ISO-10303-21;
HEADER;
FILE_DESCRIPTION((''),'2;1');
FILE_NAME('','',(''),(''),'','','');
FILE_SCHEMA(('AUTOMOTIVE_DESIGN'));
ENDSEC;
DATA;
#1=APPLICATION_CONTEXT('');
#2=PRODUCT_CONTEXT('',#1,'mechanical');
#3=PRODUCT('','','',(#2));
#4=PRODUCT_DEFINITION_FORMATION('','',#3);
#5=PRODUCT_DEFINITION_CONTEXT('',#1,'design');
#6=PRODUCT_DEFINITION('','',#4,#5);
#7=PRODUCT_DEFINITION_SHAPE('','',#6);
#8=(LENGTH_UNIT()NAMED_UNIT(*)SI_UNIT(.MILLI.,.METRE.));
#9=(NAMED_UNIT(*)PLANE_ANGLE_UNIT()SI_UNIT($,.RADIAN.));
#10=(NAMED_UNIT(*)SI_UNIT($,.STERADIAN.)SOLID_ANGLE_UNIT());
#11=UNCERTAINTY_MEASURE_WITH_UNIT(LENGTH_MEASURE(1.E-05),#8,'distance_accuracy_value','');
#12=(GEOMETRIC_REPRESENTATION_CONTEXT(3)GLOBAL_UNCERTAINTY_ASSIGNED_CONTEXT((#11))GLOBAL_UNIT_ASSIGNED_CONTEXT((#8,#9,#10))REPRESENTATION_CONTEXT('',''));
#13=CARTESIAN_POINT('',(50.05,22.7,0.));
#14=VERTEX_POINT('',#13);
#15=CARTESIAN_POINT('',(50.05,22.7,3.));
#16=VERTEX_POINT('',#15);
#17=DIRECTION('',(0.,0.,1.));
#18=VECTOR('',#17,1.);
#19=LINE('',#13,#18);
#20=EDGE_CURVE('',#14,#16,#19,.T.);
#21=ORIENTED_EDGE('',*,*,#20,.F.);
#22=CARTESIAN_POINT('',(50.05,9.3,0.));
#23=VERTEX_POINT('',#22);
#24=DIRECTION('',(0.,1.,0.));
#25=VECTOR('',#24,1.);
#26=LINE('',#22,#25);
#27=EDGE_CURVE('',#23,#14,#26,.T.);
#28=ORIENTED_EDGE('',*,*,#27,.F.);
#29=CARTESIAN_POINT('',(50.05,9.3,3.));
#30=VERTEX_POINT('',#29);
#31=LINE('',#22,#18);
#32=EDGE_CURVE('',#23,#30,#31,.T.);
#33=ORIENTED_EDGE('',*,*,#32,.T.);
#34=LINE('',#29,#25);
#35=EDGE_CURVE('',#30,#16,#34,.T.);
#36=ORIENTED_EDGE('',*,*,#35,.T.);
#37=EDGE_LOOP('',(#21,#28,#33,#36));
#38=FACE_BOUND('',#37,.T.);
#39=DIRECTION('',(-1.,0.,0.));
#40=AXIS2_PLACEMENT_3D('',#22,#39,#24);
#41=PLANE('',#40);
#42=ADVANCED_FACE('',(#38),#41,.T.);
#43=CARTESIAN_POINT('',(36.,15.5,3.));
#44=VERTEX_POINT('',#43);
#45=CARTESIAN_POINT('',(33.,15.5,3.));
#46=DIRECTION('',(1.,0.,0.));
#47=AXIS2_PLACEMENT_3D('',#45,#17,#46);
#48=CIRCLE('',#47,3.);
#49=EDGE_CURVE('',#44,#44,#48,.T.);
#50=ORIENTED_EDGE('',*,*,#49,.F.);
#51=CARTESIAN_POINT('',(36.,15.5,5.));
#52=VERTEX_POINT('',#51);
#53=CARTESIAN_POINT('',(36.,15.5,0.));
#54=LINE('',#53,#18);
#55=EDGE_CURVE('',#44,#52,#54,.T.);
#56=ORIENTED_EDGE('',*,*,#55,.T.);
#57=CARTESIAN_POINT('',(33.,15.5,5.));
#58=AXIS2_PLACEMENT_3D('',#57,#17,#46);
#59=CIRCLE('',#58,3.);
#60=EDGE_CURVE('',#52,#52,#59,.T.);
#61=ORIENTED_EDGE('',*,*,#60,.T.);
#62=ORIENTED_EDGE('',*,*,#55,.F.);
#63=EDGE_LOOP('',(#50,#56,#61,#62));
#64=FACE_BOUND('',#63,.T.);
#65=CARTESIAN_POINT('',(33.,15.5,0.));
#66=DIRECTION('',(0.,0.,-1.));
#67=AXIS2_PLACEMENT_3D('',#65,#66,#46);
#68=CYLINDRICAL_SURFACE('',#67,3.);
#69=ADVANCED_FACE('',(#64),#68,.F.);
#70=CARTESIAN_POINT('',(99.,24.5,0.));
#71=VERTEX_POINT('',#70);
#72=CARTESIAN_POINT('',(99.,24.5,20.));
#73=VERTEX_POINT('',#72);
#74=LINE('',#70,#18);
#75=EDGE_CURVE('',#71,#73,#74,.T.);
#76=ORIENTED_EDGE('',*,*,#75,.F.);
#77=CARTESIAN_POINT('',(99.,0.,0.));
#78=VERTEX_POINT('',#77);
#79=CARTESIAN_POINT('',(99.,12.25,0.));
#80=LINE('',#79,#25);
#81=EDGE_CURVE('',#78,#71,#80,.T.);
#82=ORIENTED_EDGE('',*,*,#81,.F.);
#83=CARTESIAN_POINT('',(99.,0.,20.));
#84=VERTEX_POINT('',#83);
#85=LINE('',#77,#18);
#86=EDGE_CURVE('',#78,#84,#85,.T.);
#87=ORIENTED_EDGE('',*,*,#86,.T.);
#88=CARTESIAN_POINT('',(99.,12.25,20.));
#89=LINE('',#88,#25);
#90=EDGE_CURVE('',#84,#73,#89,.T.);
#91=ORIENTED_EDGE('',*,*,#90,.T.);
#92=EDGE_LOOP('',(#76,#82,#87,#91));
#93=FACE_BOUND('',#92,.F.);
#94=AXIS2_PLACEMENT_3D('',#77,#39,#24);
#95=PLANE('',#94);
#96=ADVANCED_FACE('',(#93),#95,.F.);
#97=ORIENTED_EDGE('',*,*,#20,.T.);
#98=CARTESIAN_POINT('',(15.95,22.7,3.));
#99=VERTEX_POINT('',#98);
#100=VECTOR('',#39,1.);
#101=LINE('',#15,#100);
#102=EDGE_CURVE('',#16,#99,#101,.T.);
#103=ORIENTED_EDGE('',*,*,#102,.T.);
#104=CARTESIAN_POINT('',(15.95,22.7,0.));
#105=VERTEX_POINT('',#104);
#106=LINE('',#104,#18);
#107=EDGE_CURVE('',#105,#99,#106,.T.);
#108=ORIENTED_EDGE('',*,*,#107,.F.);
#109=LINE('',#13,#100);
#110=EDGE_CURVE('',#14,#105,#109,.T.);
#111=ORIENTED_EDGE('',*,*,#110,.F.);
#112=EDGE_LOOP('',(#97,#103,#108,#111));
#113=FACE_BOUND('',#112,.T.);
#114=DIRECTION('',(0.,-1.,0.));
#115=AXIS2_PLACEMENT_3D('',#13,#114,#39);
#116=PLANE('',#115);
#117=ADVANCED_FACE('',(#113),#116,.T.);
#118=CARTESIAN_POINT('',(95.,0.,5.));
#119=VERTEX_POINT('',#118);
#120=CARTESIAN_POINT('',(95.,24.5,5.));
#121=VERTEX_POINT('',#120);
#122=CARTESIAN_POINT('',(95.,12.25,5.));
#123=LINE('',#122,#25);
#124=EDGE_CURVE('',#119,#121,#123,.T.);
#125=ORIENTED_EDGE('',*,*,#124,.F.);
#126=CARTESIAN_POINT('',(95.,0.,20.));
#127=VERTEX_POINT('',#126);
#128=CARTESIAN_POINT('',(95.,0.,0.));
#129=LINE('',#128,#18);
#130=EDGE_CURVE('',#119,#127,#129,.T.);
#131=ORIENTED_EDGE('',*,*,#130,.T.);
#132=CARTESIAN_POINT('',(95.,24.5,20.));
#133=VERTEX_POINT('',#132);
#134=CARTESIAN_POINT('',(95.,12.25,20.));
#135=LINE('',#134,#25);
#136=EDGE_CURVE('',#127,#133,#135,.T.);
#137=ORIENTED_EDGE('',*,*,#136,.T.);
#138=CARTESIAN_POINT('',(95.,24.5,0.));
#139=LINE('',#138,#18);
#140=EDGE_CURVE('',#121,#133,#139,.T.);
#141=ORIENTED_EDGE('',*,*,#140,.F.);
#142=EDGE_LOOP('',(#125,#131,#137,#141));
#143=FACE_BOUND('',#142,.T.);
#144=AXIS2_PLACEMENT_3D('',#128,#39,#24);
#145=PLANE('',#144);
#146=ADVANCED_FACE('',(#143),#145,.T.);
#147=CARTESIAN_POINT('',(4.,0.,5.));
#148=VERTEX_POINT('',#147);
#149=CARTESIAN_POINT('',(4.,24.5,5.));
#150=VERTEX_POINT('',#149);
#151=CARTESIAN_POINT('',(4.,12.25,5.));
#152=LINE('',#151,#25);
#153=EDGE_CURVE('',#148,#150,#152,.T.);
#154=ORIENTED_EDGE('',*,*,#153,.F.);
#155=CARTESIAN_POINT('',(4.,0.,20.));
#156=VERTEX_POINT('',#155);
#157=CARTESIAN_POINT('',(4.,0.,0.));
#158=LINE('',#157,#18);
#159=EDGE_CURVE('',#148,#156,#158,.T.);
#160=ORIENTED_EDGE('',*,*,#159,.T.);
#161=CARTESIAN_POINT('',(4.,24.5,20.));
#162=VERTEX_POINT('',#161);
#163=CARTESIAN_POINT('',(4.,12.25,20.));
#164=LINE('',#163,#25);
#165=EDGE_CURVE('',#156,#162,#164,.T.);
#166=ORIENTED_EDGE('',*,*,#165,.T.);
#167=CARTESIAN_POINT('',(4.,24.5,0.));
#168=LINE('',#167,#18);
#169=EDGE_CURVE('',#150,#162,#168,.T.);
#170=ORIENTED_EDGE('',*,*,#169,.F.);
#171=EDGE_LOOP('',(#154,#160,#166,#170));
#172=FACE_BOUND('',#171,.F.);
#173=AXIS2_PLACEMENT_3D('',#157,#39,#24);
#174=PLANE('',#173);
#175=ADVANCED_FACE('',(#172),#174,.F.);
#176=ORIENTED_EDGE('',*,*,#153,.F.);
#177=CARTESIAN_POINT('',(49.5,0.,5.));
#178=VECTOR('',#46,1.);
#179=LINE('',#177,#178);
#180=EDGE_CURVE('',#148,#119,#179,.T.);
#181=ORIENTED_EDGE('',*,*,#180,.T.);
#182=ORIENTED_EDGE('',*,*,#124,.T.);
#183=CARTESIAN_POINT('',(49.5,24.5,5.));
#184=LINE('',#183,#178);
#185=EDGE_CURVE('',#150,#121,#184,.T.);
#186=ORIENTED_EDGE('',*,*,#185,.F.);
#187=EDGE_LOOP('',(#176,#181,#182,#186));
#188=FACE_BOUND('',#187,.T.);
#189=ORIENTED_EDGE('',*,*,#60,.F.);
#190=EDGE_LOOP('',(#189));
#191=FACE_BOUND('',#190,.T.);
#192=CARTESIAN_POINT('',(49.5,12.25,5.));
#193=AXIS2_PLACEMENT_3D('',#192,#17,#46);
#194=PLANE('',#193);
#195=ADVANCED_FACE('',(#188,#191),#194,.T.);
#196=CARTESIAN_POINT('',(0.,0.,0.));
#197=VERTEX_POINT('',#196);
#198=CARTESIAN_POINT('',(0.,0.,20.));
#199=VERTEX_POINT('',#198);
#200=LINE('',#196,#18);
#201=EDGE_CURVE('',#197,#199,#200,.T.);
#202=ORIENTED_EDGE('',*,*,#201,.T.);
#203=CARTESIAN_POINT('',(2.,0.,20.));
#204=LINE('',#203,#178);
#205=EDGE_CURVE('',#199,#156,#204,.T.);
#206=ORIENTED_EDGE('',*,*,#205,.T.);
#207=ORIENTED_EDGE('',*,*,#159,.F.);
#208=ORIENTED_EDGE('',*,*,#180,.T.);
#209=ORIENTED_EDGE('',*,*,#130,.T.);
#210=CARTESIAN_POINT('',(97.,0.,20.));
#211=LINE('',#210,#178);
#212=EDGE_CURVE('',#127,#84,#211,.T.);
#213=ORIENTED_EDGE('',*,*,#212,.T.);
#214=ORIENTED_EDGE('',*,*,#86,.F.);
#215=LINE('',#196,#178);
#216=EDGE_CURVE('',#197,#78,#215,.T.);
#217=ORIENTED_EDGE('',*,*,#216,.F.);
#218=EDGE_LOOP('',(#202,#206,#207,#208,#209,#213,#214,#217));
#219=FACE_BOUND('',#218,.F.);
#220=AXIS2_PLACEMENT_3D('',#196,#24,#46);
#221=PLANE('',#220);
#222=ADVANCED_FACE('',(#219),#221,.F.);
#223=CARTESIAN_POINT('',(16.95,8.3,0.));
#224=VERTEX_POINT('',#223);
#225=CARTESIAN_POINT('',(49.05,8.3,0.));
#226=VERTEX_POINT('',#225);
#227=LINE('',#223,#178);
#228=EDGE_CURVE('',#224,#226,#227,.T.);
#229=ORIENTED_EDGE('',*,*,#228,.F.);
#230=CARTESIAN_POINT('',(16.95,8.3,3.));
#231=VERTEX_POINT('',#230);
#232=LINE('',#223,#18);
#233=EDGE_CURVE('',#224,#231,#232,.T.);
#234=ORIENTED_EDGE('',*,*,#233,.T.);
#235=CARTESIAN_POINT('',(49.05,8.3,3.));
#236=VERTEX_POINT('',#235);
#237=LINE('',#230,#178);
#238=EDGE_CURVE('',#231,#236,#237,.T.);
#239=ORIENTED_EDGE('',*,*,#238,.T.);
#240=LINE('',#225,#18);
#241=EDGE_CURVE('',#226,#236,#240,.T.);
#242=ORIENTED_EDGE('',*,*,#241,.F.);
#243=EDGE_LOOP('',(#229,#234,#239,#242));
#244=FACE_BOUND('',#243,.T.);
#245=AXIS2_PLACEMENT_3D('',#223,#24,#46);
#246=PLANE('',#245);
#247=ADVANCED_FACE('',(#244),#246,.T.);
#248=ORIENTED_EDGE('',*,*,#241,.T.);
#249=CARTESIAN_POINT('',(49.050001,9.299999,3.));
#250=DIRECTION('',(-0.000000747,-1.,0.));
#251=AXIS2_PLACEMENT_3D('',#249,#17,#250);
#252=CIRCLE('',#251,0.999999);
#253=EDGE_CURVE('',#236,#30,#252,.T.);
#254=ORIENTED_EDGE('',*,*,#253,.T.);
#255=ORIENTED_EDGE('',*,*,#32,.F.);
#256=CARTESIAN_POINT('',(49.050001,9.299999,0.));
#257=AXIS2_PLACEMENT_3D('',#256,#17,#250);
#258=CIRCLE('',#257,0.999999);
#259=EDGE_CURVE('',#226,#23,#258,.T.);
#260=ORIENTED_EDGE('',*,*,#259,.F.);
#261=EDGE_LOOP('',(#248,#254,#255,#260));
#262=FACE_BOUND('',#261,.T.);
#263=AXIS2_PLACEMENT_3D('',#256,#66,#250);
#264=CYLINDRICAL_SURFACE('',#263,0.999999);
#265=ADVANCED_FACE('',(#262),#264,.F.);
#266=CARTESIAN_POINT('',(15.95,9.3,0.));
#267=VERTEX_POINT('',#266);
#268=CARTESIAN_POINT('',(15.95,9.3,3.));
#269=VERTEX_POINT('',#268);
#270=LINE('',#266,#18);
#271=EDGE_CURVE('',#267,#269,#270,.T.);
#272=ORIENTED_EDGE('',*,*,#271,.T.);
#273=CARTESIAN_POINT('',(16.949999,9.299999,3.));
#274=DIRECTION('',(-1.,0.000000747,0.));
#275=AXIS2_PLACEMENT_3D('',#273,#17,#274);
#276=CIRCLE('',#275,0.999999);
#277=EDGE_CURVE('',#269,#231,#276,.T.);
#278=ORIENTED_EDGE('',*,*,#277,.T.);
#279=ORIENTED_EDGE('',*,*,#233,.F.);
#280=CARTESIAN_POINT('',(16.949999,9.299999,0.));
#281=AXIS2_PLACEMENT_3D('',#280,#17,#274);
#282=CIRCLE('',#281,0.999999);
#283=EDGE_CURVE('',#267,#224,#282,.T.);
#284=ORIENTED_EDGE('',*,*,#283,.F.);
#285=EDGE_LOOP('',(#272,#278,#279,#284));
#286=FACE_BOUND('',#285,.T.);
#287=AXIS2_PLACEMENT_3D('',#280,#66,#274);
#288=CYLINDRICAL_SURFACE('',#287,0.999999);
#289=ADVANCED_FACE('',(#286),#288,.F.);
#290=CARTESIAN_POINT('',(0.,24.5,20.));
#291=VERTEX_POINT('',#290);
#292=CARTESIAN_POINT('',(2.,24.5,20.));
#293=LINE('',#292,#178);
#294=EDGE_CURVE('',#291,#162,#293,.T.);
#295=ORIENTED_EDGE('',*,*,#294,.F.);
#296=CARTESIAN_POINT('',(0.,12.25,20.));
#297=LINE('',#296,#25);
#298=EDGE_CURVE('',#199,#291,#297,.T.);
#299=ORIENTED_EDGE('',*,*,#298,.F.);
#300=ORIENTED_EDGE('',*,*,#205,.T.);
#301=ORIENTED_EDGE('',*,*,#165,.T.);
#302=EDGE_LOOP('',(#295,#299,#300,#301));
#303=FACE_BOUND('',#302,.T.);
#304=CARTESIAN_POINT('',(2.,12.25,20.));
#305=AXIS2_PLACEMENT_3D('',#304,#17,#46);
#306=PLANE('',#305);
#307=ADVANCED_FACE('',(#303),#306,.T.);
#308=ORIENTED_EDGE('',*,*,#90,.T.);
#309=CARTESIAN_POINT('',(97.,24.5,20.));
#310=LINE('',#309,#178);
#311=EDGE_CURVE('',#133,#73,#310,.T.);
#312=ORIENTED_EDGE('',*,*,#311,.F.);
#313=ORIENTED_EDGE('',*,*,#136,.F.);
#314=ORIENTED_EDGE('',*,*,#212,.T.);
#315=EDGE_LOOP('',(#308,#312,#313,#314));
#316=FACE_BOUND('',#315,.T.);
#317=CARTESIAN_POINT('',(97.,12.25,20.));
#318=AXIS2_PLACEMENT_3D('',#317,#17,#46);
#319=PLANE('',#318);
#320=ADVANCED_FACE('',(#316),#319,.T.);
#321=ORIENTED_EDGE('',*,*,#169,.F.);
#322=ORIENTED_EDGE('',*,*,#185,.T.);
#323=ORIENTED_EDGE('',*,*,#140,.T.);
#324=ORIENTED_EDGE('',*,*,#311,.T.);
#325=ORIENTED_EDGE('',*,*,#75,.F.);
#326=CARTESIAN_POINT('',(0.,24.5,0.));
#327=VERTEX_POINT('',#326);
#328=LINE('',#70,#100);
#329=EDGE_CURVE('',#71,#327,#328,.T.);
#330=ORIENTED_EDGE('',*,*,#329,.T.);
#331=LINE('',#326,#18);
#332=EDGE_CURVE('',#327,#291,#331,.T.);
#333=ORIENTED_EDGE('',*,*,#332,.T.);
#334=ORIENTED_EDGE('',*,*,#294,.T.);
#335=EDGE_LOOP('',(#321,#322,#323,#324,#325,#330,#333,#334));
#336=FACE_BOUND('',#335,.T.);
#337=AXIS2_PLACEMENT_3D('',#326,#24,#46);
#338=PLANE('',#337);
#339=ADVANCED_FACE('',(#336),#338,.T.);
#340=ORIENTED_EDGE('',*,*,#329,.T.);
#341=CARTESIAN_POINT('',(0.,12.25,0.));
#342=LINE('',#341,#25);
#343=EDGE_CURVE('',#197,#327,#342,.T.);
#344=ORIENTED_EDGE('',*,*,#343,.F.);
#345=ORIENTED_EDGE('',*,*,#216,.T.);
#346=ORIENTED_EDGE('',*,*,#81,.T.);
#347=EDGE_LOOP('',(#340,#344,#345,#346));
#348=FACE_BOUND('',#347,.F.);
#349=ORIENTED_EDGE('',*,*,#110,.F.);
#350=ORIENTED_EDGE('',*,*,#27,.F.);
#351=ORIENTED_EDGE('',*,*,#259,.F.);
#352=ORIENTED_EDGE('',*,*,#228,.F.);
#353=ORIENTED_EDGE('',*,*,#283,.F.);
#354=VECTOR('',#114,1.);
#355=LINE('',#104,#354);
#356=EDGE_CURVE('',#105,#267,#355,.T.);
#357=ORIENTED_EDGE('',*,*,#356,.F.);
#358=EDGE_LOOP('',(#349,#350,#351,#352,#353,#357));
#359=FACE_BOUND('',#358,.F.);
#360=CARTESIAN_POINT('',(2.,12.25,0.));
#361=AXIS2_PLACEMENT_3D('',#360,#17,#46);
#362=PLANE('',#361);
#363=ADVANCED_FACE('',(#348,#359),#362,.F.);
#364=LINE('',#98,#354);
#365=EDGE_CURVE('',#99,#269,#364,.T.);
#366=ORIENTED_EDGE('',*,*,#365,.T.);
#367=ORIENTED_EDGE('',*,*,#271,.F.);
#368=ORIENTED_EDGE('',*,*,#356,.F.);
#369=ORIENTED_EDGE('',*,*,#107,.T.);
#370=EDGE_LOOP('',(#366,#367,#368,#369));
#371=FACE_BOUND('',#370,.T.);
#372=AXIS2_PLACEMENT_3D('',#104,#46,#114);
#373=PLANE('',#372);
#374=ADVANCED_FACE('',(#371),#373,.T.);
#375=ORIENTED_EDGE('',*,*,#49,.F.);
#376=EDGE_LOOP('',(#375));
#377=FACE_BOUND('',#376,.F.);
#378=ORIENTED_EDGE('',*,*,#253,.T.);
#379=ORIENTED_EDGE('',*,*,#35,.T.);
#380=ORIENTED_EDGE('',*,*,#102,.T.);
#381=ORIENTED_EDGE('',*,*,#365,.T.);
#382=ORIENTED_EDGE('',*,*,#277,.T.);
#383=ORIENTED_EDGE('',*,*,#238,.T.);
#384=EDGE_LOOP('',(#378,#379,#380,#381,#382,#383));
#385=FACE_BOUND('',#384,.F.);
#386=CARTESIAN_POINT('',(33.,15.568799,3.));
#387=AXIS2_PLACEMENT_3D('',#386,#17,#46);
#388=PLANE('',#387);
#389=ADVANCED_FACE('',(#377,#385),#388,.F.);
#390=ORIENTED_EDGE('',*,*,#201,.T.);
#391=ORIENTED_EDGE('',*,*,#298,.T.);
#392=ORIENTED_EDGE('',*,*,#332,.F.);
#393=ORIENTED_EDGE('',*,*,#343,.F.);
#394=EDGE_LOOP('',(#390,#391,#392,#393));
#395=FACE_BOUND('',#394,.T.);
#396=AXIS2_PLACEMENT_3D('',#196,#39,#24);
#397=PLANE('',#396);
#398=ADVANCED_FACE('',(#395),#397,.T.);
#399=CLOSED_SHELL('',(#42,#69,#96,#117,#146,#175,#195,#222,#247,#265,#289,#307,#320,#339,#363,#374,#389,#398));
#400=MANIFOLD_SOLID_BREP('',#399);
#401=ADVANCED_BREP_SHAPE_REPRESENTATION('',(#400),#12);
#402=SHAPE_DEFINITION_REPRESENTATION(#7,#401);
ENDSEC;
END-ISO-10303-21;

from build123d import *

# Parameters (mm, degrees)
F0_W     = 91
F0_H     = 24.5
F0_R     = 3
F1_DEPTH = 5
F0_W_2   = 4
F2_DEPTH = 20
F3_R     = 3
F4_DEPTH = 3


with BuildPart() as f1:
    # F0 (on Top) → F1 (new body)
    with BuildSketch(Plane.XY):
        with Locations((49.5, 12.25)):
            Rectangle(F0_W, F0_H)
        with Locations((33, 15.5)):
            Circle(F0_R, mode=Mode.SUBTRACT)
    extrude(amount=F1_DEPTH)

    # F0 (on Top) → F2 (join)
    with BuildSketch(Plane.XY):
        with Locations((2, 12.25)):
            Rectangle(F0_W_2, F0_H)
        with Locations((97, 12.25)):
            Rectangle(F0_W_2, F0_H)
    extrude(amount=F2_DEPTH)

    # F3 (on face) → F4 (cut)
    with BuildSketch(Plane.XY):
        with BuildLine():
            Line((50.05, 22.7), (15.95, 22.7))
            Line((15.95, 22.7), (15.95, 9.3))
            ThreePointArc((15.95, 9.3), (16.242893, 8.592893), (16.95, 8.3))
            Line((16.95, 8.3), (49.05, 8.3))
            ThreePointArc((49.05, 8.3), (49.757107, 8.592893), (50.05, 9.3))
            Line((50.05, 9.3), (50.05, 22.7))
        make_face()
        with Locations((33, 15.5)):
            Circle(F3_R, mode=Mode.SUBTRACT)
    extrude(amount=F4_DEPTH, mode=Mode.SUBTRACT)


solid = f1.part
